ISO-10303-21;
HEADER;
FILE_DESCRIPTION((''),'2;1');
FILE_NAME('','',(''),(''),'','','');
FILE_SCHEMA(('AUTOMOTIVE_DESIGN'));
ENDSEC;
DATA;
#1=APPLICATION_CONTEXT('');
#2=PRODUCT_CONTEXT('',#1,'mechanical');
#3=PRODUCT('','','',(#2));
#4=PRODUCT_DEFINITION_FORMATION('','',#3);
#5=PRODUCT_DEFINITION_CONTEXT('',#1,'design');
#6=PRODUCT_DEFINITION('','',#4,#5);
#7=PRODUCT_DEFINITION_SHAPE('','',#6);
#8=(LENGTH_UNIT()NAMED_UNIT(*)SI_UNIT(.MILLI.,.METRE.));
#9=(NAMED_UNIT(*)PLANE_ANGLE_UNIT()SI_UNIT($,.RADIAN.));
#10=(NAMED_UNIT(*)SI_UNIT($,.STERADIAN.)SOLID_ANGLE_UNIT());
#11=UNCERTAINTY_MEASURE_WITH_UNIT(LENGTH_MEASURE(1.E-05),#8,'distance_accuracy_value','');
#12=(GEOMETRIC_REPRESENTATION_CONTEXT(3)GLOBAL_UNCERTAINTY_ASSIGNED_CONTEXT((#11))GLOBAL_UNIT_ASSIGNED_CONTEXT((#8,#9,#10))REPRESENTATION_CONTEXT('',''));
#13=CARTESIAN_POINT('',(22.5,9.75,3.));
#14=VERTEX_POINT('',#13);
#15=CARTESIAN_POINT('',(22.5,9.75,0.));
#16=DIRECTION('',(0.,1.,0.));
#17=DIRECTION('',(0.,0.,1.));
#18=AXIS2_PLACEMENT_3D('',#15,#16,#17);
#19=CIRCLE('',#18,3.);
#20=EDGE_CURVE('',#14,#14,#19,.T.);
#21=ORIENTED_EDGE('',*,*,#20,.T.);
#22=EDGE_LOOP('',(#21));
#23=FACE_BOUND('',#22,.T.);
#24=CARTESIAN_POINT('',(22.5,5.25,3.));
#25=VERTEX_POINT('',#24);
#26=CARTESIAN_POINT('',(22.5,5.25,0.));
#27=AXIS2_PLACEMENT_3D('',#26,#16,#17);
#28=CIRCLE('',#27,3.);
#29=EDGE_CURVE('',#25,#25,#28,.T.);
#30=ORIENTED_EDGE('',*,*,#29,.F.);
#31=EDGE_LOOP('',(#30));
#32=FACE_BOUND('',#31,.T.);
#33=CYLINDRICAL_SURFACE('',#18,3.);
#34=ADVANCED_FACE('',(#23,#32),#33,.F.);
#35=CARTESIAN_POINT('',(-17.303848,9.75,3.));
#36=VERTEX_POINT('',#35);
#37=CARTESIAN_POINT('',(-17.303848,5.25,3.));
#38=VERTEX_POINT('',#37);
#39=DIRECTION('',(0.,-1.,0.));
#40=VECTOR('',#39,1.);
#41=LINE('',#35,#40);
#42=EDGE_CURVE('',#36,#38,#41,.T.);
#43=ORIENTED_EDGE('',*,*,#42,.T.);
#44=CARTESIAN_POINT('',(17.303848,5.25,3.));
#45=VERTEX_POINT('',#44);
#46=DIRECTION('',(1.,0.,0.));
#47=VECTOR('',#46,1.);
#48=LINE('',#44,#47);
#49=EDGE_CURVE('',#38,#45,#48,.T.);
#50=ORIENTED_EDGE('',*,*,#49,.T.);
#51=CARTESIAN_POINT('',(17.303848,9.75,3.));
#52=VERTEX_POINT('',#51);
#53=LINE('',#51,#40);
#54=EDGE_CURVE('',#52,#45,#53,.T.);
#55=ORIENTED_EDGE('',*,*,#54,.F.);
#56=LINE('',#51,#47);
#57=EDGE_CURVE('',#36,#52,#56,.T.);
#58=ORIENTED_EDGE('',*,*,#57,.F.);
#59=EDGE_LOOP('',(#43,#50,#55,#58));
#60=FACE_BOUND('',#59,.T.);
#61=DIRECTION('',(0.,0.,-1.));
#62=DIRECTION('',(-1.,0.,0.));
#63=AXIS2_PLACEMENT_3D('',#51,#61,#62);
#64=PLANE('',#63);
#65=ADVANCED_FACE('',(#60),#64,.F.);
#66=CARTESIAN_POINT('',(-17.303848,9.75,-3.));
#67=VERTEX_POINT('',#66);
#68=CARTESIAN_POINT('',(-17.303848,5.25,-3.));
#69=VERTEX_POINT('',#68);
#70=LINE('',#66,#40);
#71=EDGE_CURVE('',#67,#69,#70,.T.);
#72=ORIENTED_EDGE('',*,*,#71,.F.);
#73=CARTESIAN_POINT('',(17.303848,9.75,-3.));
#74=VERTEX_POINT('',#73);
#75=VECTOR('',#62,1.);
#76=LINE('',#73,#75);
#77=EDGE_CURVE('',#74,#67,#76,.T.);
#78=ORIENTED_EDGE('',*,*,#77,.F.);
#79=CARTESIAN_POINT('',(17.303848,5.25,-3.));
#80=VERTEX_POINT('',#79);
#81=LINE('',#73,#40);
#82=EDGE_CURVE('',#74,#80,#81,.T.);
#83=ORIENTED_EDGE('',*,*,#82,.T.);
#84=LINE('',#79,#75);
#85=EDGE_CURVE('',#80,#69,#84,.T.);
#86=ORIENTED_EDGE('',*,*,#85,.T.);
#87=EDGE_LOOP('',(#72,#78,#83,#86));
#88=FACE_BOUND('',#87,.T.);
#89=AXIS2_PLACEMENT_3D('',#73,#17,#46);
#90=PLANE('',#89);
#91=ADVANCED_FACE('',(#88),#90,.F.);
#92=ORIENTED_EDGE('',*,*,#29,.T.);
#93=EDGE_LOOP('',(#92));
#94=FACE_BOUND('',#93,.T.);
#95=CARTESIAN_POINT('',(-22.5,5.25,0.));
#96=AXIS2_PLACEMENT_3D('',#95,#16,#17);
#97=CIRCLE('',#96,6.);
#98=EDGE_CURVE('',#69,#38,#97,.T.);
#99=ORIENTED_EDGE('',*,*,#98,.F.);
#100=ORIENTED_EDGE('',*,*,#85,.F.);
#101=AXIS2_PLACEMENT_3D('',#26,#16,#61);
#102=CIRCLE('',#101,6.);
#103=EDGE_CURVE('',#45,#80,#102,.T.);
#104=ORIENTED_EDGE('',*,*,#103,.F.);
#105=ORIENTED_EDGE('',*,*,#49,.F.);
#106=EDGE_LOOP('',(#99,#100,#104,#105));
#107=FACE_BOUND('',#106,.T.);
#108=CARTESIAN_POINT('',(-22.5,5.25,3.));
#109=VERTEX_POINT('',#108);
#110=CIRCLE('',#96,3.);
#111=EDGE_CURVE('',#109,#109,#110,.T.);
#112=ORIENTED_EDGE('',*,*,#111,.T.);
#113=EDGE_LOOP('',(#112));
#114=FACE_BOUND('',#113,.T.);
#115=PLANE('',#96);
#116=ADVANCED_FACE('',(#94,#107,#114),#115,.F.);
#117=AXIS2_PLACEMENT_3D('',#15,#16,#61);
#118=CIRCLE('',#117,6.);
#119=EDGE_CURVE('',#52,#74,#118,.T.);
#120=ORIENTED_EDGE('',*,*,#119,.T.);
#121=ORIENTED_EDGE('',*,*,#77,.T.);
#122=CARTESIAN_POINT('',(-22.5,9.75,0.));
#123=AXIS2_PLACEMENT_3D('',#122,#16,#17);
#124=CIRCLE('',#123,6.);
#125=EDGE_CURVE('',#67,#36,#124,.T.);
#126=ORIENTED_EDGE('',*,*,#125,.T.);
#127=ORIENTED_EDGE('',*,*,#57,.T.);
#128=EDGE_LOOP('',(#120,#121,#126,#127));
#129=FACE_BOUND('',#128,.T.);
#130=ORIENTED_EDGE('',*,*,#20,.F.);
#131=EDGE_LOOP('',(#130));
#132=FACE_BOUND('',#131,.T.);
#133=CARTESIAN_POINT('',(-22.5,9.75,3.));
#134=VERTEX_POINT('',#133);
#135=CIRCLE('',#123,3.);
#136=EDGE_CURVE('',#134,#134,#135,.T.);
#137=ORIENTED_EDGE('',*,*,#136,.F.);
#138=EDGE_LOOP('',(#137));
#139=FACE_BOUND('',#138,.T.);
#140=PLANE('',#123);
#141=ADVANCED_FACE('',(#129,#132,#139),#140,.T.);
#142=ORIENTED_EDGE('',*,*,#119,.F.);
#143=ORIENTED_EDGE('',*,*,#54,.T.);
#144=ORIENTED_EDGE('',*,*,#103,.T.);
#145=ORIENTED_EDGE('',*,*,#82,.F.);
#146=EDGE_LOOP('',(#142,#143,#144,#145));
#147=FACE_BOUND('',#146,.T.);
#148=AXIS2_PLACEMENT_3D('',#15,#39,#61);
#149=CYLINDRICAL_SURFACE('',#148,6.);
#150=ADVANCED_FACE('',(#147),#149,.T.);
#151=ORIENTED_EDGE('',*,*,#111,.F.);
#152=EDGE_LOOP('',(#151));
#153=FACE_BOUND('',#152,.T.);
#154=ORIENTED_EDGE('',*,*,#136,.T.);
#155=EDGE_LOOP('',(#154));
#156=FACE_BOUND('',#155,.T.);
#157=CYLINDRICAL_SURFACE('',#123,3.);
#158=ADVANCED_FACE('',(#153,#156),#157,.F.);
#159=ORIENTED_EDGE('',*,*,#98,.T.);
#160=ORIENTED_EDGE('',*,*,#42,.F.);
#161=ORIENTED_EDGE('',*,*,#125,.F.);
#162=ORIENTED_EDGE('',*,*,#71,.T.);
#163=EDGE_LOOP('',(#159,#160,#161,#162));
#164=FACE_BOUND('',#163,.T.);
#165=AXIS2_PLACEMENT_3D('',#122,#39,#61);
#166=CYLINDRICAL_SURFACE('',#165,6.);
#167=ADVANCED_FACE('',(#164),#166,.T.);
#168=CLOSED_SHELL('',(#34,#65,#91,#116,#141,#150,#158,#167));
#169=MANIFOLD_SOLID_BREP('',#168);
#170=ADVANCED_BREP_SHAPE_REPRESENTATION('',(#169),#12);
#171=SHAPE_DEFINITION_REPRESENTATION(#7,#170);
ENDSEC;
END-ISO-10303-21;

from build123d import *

# Parameters (mm, degrees)
BOSS_EXTRUDE1_DEPTH = 15
F_20_0MM_1_D        = 20
SCALE_1_SCALE       = 0.3


with BuildPart() as part:
    # Sketch1 → Boss-Extrude1 (new body)
    with BuildSketch(Plane(origin=(0, 0, 0), x_dir=(1, 0, 0), z_dir=(0, 1, 0))):
        with BuildLine():
            Line((57.679491924, 10), (-57.679491924, 10))
            ThreePointArc((-57.679491924, 10), (-95, 0), (-57.679491924, -10))
            Line((-57.679491924, -10), (57.679491924, -10))
            ThreePointArc((57.679491924, -10), (95, 0), (57.679491924, 10))
        make_face()
    extrude(amount=BOSS_EXTRUDE1_DEPTH)

    # Ø20.0mm 맞춤핀 구멍1 (through all)
    with Locations(Plane(origin=(0, 15, 0), x_dir=(1, 0, 0), z_dir=(0, 1, 0))):
        with Locations((-75, 0), (75, 0)):
            Hole(F_20_0MM_1_D / 2)


with BuildPart() as part_1:
    # 축척1: scaled about (0, 7.5, 0)
    add(part.part.scale(SCALE_1_SCALE).moved(Location((0, 5.25, 0))))


solid = part_1.part
